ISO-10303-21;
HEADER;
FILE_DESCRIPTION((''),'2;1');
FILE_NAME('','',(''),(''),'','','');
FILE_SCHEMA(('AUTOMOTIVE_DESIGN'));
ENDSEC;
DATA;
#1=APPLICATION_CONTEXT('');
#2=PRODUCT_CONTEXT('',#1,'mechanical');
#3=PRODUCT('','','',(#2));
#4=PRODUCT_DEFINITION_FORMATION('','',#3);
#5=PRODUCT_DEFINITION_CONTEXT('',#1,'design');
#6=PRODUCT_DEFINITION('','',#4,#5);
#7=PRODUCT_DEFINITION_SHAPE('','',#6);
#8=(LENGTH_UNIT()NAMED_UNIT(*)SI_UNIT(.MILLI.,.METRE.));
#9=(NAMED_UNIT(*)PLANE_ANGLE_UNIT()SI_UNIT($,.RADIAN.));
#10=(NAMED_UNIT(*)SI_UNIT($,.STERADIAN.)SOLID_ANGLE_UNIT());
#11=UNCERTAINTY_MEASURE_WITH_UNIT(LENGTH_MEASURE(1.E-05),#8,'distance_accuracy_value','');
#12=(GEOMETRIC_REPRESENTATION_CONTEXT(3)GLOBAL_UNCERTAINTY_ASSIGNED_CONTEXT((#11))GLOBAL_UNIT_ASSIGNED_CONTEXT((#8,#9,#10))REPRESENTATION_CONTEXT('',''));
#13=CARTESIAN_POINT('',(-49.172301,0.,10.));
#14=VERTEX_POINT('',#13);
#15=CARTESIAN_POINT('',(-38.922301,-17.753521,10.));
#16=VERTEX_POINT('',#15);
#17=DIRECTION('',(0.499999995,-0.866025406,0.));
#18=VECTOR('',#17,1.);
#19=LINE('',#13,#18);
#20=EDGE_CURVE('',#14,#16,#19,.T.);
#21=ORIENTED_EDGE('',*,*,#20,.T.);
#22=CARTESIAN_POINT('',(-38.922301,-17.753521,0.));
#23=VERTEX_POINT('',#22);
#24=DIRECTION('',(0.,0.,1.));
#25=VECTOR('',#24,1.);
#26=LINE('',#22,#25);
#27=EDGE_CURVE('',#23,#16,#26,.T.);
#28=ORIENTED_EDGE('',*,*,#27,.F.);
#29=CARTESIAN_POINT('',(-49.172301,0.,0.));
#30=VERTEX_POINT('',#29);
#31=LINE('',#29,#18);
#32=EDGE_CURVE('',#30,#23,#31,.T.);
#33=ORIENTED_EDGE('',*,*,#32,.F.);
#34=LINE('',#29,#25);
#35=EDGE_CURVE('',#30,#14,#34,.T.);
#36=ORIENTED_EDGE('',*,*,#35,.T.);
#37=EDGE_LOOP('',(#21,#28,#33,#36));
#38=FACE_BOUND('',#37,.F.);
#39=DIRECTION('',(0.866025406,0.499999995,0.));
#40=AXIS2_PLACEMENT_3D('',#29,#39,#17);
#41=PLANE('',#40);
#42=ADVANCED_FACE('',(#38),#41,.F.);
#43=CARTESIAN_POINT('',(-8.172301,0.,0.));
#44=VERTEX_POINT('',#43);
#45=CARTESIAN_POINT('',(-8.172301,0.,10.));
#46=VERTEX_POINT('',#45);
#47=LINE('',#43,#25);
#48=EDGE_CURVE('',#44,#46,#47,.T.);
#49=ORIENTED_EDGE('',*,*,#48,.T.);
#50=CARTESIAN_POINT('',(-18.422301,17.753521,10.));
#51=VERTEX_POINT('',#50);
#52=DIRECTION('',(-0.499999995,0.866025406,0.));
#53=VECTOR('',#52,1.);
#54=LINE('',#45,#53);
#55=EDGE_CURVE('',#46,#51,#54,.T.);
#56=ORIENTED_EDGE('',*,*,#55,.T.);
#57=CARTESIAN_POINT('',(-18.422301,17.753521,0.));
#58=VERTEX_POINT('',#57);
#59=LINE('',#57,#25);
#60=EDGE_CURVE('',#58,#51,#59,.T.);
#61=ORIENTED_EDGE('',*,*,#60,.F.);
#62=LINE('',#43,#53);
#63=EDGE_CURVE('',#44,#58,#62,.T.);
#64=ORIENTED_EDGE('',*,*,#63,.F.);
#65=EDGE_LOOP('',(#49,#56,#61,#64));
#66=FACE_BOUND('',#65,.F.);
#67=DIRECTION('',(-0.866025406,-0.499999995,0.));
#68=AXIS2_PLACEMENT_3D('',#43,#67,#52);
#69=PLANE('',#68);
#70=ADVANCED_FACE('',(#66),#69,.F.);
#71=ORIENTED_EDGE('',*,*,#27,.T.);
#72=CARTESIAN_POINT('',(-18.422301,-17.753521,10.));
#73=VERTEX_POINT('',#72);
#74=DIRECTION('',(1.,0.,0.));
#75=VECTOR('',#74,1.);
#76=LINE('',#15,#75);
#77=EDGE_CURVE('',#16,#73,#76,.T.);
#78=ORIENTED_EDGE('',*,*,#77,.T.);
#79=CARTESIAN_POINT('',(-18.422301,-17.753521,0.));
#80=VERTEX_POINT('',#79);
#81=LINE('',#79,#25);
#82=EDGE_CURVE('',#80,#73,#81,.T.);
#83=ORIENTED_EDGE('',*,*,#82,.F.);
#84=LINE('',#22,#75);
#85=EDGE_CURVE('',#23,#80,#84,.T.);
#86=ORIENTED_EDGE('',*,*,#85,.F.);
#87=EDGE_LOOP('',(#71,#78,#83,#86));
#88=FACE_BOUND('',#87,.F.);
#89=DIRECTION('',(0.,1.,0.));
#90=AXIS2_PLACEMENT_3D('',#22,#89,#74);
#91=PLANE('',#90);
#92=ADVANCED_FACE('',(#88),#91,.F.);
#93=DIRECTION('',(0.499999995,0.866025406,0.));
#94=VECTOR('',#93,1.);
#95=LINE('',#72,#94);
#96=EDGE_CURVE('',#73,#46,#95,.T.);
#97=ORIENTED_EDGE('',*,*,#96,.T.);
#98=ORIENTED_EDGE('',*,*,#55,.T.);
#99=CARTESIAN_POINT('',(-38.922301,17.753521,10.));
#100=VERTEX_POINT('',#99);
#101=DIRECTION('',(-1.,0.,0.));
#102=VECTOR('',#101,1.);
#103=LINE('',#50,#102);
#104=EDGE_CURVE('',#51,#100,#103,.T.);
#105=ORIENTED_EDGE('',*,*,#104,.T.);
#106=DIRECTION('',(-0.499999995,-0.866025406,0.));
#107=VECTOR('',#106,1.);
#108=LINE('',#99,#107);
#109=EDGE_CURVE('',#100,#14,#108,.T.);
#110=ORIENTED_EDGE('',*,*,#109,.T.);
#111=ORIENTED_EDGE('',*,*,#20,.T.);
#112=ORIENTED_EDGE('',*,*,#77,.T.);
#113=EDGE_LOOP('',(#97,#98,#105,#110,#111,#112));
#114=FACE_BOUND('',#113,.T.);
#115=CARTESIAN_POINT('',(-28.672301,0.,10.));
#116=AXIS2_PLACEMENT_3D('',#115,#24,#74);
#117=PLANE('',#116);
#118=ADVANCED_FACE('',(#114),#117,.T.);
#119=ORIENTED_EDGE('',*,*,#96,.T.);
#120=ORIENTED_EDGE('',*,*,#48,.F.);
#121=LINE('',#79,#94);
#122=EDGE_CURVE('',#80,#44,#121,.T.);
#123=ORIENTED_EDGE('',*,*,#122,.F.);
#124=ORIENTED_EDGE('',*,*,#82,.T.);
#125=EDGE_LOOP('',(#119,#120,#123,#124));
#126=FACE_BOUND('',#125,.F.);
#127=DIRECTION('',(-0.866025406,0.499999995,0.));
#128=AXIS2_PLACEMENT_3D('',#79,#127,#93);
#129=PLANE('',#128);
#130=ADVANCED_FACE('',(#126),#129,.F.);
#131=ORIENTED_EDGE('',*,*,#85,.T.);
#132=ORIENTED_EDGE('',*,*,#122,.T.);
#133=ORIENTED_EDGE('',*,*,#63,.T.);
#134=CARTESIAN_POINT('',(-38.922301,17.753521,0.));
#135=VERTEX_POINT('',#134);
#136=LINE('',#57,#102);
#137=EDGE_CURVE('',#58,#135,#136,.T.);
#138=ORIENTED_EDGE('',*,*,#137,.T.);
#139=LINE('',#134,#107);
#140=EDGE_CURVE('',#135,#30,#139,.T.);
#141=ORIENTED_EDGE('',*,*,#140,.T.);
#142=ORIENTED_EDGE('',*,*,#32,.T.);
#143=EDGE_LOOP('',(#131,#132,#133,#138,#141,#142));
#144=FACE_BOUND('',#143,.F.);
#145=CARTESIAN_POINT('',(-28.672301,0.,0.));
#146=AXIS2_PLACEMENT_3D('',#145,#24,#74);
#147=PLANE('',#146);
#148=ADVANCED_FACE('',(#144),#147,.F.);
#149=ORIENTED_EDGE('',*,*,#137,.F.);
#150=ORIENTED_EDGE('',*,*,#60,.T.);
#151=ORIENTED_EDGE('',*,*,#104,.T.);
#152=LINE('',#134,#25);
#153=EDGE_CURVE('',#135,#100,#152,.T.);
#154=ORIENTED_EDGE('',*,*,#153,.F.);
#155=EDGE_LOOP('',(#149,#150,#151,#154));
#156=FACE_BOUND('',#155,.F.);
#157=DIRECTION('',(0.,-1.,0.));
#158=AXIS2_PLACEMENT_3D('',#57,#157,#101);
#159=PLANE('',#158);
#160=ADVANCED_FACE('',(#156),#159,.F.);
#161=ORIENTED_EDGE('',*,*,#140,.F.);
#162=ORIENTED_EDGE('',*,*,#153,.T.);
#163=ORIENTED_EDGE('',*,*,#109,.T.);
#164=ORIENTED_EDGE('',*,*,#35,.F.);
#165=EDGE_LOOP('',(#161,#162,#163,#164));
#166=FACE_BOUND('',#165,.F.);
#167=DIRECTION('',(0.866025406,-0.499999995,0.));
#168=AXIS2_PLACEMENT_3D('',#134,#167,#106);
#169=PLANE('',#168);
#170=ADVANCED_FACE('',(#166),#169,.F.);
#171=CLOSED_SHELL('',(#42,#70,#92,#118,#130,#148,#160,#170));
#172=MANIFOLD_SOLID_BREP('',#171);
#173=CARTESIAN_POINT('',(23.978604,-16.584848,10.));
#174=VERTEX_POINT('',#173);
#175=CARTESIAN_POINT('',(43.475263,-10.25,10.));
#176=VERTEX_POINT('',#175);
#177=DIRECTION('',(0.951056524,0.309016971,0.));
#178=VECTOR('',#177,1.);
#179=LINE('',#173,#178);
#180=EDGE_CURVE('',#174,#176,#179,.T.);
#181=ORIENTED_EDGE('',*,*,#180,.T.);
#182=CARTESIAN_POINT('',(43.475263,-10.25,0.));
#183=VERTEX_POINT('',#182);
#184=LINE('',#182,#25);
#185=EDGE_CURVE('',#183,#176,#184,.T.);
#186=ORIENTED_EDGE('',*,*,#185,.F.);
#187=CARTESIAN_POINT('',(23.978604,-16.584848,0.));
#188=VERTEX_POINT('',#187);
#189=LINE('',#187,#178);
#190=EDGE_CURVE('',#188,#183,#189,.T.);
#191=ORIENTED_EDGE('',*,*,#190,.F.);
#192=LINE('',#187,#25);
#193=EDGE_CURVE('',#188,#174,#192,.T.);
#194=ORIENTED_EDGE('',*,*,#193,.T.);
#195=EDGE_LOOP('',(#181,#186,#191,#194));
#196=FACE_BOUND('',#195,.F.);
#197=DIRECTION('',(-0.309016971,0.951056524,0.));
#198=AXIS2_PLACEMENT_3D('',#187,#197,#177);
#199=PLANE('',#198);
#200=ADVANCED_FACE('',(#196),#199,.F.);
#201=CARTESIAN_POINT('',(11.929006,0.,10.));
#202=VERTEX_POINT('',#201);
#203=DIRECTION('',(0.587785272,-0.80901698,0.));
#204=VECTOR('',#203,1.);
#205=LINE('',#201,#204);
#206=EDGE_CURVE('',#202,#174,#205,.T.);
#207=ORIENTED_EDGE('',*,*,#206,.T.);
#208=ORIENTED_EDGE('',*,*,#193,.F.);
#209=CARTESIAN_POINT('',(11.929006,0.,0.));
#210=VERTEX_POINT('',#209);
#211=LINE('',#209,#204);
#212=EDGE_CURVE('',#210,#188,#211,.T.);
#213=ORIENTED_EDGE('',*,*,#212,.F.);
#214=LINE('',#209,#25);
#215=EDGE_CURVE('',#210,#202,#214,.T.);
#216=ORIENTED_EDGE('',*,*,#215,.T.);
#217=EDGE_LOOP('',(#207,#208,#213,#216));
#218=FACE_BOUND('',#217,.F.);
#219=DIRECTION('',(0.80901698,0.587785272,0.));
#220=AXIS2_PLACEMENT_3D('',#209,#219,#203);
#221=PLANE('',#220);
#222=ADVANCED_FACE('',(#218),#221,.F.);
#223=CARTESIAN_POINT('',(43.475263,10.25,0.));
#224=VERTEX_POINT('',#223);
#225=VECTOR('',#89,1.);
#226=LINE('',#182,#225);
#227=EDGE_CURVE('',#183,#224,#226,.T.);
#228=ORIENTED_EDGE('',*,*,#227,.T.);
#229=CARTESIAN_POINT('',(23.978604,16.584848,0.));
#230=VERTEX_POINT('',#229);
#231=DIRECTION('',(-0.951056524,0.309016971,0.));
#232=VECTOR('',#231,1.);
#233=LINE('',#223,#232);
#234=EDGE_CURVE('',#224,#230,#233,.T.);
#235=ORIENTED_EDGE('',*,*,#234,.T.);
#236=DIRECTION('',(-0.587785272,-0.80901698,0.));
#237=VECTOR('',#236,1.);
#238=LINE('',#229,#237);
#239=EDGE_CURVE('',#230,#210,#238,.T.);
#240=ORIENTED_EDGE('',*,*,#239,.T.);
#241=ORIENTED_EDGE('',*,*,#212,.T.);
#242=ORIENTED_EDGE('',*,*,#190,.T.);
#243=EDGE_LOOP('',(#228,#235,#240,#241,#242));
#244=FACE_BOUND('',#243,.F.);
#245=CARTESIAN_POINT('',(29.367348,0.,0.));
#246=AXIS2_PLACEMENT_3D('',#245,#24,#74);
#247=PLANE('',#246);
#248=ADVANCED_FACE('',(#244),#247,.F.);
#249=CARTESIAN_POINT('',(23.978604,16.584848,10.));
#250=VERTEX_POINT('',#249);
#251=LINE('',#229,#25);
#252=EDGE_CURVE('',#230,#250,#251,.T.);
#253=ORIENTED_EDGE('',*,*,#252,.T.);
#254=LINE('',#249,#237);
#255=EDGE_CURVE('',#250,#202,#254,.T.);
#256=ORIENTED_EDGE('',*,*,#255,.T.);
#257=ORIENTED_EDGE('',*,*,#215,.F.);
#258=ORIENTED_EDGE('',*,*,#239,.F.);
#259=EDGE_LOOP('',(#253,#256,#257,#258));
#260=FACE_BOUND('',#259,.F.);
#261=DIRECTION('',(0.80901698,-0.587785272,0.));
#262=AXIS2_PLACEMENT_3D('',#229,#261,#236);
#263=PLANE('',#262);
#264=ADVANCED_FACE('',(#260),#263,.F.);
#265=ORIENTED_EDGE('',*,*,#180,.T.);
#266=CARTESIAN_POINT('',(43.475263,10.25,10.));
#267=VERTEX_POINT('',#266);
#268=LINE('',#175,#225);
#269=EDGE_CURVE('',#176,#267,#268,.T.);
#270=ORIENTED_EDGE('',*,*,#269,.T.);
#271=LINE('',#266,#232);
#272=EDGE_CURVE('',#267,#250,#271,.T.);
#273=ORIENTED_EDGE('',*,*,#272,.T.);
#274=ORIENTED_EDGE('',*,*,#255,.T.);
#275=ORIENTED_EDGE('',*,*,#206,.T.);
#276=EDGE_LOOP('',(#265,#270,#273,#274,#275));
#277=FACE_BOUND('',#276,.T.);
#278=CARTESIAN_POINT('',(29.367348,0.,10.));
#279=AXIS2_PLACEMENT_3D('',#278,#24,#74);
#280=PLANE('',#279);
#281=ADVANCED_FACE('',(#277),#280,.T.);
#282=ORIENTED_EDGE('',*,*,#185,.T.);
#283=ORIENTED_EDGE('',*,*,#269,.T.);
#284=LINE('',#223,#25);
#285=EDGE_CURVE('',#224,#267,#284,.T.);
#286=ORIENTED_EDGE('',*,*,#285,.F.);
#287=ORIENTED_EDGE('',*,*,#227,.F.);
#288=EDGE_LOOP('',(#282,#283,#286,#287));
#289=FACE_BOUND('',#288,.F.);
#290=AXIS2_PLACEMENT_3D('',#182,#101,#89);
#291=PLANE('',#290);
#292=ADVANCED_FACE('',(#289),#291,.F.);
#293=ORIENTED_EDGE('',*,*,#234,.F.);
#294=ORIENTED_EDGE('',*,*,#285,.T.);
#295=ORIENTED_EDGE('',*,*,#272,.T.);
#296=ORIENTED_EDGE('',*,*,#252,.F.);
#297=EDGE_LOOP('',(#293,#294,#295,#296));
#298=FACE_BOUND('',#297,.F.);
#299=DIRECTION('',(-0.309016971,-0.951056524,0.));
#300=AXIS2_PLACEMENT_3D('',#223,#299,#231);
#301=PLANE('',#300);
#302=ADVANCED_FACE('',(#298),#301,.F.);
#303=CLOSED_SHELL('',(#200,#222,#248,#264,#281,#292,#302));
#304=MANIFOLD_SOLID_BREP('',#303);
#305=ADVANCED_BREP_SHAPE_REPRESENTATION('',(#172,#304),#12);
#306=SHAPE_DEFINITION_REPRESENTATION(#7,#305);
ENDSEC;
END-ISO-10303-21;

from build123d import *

# Parameters (mm, degrees)
F1_DEPTH = 10


with BuildPart() as f1:
    # F0 (on Top) → F1 (new body)
    with BuildSketch(Plane.XY):
        Polygon((-38.922301, 17.753521), (-49.172301, 0), (-38.922301, -17.753521), (-18.422301, -17.753521), (-8.172301, 0), (-18.422301, 17.753521), align=None)
        Polygon((23.978604, 16.584848), (11.929006, 0), (23.978604, -16.584848), (43.475263, -10.25), (43.475263, 10.25), align=None)
    extrude(amount=F1_DEPTH)


solid = f1.part
